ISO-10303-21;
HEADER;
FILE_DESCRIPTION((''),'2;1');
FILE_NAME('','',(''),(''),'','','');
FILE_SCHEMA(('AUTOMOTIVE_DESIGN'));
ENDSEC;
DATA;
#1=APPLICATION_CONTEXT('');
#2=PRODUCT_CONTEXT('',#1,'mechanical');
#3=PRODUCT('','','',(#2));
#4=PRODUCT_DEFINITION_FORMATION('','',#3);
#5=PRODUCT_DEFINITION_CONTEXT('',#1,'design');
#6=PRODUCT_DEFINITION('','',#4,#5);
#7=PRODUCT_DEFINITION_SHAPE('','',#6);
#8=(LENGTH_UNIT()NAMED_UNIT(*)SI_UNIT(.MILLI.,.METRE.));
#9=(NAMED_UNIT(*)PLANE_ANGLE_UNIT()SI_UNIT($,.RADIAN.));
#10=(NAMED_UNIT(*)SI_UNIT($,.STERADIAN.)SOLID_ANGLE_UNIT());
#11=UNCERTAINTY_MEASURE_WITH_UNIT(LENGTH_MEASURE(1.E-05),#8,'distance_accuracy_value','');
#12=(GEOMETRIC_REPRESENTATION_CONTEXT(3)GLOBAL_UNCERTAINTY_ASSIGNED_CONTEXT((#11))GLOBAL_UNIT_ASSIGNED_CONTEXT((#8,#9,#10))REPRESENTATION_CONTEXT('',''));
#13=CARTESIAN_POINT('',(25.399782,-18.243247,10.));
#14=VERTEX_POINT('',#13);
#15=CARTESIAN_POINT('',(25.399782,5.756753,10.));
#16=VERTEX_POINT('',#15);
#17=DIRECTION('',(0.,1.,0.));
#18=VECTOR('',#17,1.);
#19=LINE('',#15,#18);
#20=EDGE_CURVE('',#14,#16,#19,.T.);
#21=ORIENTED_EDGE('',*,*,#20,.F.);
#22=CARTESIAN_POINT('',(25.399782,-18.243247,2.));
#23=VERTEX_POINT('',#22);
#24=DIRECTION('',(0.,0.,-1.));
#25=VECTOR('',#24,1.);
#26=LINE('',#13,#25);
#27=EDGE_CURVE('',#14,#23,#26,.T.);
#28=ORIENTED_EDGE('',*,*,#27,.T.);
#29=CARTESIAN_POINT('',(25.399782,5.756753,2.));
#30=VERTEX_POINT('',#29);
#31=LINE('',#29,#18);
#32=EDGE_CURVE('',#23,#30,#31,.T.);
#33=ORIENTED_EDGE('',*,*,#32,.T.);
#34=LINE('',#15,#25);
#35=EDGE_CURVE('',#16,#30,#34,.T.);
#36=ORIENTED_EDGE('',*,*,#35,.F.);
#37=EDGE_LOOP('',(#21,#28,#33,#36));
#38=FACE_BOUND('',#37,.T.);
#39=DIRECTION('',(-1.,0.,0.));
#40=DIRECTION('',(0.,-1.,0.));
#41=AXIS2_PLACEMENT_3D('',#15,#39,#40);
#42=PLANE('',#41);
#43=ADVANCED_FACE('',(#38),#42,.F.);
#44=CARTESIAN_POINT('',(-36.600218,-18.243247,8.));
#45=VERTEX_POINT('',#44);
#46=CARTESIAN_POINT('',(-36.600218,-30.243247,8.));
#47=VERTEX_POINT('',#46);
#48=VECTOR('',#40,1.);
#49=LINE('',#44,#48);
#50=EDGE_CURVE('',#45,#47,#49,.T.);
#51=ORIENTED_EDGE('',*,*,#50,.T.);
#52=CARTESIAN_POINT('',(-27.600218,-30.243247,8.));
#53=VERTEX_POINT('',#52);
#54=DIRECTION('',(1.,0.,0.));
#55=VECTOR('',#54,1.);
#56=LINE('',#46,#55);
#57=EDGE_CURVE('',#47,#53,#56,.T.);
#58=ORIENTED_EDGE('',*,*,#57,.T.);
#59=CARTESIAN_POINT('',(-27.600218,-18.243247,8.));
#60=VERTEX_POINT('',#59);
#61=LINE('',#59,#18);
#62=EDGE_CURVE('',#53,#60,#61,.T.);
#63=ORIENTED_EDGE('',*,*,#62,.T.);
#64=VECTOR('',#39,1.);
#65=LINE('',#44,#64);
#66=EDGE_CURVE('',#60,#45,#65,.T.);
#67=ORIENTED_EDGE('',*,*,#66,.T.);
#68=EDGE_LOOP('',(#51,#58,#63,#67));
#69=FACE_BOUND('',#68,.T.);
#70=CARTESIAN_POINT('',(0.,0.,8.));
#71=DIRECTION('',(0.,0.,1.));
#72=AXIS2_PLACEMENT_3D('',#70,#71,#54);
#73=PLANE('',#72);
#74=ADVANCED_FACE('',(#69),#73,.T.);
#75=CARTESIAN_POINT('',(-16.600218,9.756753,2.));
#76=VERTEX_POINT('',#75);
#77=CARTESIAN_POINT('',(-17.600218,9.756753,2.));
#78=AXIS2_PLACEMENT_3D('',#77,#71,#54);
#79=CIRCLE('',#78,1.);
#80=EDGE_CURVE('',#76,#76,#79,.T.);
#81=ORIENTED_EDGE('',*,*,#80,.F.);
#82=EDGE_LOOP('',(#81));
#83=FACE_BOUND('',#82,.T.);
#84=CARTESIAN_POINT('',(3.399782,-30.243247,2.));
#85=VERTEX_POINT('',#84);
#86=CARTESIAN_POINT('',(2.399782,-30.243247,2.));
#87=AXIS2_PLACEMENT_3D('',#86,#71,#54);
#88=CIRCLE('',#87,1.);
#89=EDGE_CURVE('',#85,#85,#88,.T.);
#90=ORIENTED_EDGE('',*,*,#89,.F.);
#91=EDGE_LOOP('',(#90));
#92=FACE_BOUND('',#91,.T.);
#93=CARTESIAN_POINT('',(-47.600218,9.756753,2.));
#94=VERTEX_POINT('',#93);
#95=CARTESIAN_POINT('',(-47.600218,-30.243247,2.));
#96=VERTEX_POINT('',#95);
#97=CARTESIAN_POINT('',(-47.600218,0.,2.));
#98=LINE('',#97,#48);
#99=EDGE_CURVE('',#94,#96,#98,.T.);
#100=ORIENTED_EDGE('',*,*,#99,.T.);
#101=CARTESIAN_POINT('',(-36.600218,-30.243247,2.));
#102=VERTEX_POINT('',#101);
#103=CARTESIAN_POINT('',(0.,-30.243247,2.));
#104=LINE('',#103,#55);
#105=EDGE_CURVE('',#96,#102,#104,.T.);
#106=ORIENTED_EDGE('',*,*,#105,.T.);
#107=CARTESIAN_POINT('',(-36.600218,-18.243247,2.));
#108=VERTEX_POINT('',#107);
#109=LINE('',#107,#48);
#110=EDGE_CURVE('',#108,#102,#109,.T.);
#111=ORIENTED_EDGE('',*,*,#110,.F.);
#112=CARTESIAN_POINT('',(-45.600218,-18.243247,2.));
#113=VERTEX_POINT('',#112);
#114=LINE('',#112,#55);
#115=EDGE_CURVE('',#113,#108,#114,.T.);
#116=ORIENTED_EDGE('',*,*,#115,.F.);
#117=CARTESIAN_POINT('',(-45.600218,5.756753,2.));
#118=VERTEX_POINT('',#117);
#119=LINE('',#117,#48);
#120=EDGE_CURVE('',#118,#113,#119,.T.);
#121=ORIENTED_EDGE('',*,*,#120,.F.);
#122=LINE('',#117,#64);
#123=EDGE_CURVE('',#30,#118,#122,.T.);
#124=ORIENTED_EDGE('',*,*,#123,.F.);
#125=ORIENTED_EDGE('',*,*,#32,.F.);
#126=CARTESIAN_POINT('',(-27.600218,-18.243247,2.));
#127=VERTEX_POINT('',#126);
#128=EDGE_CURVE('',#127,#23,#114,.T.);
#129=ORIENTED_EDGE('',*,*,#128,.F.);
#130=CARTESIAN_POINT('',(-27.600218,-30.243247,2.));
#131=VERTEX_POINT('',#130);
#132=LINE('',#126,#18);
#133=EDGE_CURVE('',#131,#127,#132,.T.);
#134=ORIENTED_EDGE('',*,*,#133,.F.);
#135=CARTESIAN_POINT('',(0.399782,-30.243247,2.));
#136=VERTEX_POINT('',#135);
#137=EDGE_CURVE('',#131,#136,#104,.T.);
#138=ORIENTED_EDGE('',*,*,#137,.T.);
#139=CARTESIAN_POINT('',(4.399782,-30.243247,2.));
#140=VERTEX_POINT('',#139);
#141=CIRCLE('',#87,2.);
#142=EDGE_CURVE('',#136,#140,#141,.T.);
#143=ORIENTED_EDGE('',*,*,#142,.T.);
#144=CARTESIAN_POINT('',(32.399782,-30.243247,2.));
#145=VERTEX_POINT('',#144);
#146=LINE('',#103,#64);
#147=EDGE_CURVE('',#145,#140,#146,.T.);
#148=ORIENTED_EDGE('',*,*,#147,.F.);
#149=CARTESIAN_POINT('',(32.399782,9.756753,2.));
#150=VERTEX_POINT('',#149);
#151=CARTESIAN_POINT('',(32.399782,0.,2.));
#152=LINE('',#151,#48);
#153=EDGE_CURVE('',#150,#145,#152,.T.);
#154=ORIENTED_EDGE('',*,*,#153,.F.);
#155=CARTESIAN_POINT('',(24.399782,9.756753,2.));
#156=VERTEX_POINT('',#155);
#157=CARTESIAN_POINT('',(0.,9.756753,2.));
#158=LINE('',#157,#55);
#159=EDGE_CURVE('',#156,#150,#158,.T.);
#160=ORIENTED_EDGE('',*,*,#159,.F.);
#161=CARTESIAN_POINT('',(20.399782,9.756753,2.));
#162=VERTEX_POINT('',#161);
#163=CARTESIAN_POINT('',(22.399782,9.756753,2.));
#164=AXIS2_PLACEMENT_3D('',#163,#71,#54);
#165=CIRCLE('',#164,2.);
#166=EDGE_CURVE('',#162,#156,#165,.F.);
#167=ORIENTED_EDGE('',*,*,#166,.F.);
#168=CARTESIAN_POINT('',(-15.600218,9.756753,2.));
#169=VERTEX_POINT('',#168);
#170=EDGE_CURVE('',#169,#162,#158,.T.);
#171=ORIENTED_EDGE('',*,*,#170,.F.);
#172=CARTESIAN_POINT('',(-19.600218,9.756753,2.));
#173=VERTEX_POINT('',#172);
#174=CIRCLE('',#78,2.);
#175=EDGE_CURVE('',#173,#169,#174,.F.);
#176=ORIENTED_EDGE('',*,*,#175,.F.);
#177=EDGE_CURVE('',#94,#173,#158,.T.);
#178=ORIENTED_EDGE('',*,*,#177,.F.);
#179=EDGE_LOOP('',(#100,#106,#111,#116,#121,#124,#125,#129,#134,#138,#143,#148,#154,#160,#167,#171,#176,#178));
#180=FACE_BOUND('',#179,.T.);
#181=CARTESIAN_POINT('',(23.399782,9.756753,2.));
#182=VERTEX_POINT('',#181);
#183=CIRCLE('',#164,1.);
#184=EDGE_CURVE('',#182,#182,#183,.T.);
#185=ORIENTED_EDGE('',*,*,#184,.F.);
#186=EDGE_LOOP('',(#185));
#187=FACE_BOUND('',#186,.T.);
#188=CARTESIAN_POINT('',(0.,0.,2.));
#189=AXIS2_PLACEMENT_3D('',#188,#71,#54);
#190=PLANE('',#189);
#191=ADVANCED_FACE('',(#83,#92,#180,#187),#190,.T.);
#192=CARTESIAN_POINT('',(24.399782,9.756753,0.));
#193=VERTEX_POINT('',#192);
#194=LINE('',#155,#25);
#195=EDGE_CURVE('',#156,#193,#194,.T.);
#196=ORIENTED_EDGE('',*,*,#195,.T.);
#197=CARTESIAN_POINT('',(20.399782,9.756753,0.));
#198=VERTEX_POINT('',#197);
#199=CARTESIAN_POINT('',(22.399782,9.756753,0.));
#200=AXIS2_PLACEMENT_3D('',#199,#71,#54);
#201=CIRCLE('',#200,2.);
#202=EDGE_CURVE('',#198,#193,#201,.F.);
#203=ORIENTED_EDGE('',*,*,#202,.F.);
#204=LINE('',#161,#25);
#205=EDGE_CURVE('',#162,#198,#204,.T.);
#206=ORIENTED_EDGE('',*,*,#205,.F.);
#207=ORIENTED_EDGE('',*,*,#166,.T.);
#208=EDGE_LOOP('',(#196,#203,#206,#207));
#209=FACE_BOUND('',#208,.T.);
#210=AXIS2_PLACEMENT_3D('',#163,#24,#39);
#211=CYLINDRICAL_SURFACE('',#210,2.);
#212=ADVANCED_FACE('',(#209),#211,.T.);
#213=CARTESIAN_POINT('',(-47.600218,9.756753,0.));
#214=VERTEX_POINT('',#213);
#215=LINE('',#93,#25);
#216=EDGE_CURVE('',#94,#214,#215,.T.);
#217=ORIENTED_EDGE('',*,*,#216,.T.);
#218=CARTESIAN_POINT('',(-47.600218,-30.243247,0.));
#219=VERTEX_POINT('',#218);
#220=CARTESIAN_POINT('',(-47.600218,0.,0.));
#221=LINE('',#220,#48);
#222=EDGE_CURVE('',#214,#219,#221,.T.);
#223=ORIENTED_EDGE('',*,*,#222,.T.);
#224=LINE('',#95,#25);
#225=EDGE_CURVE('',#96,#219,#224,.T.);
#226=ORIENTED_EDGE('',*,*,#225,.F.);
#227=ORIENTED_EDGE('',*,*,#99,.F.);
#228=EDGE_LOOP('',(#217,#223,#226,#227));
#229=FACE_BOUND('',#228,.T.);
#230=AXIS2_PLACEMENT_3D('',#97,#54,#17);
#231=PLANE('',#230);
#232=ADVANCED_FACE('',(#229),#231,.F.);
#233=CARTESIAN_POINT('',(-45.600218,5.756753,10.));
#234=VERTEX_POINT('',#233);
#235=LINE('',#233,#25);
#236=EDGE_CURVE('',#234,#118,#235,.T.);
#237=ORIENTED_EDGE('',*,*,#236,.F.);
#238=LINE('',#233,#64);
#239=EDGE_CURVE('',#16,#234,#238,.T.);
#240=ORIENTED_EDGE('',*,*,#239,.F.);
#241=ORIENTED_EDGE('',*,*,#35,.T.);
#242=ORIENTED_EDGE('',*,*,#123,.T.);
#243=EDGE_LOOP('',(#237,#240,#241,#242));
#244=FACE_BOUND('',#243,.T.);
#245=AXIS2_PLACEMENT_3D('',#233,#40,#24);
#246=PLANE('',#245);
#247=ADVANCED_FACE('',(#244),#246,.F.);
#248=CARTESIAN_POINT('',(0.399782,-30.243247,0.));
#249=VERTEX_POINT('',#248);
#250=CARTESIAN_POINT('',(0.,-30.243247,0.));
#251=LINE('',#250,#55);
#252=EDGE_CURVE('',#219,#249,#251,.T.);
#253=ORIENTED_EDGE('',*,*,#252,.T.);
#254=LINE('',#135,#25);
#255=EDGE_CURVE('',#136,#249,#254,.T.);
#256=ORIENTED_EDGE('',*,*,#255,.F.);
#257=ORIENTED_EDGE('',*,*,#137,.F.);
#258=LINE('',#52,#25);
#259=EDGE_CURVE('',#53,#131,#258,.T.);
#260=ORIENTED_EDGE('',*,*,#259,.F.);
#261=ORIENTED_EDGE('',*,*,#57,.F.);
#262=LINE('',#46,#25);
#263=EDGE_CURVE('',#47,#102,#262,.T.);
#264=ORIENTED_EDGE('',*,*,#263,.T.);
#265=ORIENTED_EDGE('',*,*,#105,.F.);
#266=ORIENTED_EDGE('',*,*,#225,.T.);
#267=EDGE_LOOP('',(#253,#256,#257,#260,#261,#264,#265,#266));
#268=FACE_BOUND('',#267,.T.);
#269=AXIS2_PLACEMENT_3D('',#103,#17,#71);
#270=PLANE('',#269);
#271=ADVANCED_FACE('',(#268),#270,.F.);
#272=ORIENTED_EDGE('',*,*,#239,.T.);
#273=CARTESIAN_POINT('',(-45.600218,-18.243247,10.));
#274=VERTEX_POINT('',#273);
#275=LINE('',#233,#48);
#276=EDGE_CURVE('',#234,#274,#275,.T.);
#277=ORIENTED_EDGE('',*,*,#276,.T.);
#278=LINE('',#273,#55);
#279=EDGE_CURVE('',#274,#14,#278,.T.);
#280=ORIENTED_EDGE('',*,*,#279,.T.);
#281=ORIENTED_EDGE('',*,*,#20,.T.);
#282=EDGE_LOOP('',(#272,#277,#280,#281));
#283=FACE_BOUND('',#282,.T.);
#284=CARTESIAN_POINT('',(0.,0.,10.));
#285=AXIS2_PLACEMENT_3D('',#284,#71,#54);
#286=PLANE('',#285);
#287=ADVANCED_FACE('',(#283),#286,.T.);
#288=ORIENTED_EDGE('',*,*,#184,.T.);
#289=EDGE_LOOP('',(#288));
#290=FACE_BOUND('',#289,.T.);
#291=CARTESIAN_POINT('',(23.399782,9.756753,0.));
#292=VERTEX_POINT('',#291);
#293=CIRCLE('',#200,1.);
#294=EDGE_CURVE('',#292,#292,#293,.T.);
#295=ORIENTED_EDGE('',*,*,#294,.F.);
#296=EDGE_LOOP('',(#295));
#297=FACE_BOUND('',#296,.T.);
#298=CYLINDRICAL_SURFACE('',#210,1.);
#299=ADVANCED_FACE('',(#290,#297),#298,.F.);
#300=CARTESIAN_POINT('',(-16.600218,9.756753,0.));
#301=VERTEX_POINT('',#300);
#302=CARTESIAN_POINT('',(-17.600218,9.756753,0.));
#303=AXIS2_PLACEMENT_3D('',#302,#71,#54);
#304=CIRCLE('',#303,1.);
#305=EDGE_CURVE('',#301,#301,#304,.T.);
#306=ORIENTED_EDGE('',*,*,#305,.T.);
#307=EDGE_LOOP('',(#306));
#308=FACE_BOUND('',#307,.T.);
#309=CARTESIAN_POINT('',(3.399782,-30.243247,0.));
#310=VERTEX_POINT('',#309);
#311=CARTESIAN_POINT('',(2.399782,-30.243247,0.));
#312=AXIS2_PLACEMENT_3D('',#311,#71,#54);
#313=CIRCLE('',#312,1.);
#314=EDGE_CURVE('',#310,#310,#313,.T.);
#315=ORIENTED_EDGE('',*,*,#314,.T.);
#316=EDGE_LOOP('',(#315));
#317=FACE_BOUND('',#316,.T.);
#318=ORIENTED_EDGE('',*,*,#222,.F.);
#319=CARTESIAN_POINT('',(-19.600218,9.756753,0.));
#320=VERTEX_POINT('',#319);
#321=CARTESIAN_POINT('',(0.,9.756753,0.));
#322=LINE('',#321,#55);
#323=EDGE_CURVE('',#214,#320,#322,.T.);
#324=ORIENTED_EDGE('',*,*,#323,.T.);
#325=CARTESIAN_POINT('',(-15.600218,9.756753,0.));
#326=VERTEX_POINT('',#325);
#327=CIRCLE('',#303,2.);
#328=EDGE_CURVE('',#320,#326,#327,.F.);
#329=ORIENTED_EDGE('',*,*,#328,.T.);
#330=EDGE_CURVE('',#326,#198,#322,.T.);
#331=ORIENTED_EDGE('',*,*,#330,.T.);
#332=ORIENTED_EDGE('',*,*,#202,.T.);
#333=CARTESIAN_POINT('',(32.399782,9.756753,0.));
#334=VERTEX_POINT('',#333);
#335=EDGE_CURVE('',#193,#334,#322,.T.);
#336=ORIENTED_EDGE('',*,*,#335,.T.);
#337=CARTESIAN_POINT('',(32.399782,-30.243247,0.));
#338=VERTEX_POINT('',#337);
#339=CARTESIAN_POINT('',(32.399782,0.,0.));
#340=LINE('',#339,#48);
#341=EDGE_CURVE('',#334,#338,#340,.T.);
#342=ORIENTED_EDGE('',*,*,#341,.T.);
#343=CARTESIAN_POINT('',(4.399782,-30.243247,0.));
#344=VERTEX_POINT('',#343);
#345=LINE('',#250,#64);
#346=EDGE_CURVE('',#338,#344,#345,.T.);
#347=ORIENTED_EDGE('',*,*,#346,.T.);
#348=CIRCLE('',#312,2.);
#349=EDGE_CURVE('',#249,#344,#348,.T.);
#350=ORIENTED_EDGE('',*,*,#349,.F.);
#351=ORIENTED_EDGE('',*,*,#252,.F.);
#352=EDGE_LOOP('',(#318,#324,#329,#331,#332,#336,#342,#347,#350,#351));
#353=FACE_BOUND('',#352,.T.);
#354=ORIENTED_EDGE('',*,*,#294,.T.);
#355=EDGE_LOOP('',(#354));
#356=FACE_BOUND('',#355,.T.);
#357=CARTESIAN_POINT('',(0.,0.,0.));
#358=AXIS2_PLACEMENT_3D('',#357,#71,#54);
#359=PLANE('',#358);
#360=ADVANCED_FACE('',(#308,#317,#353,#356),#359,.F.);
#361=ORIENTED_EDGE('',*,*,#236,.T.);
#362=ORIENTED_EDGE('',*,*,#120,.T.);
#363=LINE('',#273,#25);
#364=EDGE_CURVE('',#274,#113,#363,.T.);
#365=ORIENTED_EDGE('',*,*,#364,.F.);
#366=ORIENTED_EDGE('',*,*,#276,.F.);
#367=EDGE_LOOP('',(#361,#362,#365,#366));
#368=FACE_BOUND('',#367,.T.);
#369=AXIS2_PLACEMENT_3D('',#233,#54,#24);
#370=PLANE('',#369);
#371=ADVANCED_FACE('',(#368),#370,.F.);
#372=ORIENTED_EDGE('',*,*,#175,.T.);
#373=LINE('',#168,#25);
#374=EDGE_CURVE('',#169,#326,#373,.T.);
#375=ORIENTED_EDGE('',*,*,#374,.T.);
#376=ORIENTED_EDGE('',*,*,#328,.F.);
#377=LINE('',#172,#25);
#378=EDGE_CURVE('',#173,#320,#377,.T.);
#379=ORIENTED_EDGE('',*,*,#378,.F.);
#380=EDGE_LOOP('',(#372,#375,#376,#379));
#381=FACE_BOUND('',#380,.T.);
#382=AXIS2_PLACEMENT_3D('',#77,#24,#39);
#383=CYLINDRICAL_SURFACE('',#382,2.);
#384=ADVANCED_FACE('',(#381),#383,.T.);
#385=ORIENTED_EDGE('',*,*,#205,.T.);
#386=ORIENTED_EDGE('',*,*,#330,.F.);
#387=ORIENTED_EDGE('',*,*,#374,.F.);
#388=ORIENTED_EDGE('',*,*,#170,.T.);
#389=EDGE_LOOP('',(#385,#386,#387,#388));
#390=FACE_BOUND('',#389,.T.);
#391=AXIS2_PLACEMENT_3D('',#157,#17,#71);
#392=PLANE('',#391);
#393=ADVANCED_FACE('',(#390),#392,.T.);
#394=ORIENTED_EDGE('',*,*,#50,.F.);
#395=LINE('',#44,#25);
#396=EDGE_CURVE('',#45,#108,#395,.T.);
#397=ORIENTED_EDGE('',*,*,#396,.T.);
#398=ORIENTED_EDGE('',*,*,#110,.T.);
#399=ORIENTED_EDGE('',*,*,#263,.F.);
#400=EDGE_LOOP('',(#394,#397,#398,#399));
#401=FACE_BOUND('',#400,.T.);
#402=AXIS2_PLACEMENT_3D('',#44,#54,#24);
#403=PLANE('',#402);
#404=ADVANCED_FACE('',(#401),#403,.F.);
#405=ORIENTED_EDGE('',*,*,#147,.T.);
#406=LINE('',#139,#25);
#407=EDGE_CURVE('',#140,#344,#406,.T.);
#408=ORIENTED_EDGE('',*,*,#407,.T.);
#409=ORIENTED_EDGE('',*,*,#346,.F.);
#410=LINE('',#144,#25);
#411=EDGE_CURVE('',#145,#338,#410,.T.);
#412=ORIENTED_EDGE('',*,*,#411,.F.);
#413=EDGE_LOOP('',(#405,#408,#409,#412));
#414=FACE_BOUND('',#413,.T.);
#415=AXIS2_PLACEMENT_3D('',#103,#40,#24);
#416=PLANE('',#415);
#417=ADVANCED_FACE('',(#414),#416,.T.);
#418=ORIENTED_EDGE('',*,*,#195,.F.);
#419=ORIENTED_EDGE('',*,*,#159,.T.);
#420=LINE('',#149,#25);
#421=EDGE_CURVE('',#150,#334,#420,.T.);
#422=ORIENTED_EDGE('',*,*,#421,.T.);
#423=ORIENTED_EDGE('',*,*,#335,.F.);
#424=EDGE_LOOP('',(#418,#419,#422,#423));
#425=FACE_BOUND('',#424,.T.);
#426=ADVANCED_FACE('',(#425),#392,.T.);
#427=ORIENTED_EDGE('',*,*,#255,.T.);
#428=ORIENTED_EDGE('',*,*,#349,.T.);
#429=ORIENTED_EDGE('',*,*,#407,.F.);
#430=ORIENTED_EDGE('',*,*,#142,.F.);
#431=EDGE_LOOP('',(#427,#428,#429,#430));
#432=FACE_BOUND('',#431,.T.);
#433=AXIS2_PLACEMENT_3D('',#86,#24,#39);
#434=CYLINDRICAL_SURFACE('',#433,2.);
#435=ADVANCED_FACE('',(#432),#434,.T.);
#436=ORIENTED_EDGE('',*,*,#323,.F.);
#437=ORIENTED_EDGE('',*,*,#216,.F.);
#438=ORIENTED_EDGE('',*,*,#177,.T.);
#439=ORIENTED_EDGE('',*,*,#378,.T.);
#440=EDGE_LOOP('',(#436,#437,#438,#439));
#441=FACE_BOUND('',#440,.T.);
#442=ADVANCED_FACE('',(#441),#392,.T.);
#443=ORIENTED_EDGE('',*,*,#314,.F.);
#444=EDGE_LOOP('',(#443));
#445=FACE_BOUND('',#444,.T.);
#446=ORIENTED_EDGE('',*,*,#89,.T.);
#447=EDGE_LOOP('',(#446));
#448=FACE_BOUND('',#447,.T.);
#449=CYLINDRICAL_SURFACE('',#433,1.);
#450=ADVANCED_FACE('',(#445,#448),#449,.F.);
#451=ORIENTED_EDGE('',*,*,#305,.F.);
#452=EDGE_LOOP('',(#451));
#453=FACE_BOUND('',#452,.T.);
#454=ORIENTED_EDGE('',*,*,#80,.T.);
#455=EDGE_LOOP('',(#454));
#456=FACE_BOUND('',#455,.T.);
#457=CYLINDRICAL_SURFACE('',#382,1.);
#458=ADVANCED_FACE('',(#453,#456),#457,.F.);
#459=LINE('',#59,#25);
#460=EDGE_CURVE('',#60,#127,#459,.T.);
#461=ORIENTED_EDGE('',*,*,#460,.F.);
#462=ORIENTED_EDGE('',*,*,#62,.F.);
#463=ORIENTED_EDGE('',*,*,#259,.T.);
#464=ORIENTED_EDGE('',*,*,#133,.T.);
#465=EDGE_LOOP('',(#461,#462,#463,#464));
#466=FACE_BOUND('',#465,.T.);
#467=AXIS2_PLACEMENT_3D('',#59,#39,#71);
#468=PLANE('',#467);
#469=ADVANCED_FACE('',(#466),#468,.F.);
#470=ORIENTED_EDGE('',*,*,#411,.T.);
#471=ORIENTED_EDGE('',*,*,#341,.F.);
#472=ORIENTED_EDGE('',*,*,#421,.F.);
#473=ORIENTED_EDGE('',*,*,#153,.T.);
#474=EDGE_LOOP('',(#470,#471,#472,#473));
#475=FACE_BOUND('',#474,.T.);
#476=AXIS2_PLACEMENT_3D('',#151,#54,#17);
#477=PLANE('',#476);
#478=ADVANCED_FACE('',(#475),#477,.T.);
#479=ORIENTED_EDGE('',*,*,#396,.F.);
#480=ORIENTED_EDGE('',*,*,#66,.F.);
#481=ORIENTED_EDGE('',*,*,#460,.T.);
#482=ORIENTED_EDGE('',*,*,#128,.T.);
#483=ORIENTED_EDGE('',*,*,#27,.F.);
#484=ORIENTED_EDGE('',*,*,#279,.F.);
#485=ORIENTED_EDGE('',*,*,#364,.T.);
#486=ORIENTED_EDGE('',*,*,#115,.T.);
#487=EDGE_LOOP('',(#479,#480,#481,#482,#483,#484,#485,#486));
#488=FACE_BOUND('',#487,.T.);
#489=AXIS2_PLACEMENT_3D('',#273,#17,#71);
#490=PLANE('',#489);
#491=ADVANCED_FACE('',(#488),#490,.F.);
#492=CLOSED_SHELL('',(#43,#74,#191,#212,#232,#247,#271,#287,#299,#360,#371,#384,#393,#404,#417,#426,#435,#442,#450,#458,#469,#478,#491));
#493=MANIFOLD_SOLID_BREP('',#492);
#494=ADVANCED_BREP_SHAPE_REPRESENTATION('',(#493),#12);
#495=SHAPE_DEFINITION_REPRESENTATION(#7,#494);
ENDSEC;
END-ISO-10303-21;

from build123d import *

# Parameters (mm, degrees)
ESQUISSE1_R        = 1
BOSS_EXTRU_1_DEPTH = 2
ESQUISSE2_W        = 71
ESQUISSE2_H        = 24
BOSS_EXTRU_3_DEPTH = 8
ESQUISSE4_W        = 9
ESQUISSE4_H        = 12
BOSS_EXTRU_4_DEPTH = 6


with BuildPart() as part:
    # Esquisse1 → Boss.-Extru.1 (new body)
    with BuildSketch(Plane.XY):
        with BuildLine():
            Line((-47.60021768, -30.24324737), (0.39978232, -30.24324737))
            ThreePointArc((0.39978232, -30.24324737), (2.39978232, -32.24324737), (4.39978232, -30.24324737))
            Line((4.39978232, -30.24324737), (32.39978232, -30.24324737))
            Line((32.39978232, -30.24324737), (32.39978232, 9.75675263))
            Line((32.39978232, 9.75675263), (24.39978232, 9.75675263))
            ThreePointArc((24.39978232, 9.75675263), (22.39978232, 11.75675263), (20.39978232, 9.75675263))
            Line((20.39978232, 9.75675263), (-15.60021768, 9.75675263))
            ThreePointArc((-15.60021768, 9.75675263), (-17.60021768, 11.75675263), (-19.60021768, 9.75675263))
            Line((-19.60021768, 9.75675263), (-47.60021768, 9.75675263))
            Line((-47.60021768, 9.75675263), (-47.60021768, -30.24324737))
        make_face()
        with Locations((22.39978232, 9.75675263)):
            Circle(ESQUISSE1_R, mode=Mode.SUBTRACT)
        with Locations((-17.60021768, 9.75675263)):
            Circle(ESQUISSE1_R, mode=Mode.SUBTRACT)
        with Locations((2.39978232, -30.24324737)):
            Circle(ESQUISSE1_R, mode=Mode.SUBTRACT)
    extrude(amount=BOSS_EXTRU_1_DEPTH)

    # Esquisse2 → Boss.-Extru.3 (add)
    with BuildSketch(Plane.XY.offset(2)):
        with Locations((-10.10021768, -6.24324737)):
            Rectangle(ESQUISSE2_W, ESQUISSE2_H)
    extrude(amount=BOSS_EXTRU_3_DEPTH)

    # Esquisse4 → Boss.-Extru.4 (add)
    with BuildSketch(Plane.XY.offset(2)):
        with Locations((-32.10021768, -24.24324737)):
            Rectangle(ESQUISSE4_W, ESQUISSE4_H)
    extrude(amount=BOSS_EXTRU_4_DEPTH)


solid = part.part
